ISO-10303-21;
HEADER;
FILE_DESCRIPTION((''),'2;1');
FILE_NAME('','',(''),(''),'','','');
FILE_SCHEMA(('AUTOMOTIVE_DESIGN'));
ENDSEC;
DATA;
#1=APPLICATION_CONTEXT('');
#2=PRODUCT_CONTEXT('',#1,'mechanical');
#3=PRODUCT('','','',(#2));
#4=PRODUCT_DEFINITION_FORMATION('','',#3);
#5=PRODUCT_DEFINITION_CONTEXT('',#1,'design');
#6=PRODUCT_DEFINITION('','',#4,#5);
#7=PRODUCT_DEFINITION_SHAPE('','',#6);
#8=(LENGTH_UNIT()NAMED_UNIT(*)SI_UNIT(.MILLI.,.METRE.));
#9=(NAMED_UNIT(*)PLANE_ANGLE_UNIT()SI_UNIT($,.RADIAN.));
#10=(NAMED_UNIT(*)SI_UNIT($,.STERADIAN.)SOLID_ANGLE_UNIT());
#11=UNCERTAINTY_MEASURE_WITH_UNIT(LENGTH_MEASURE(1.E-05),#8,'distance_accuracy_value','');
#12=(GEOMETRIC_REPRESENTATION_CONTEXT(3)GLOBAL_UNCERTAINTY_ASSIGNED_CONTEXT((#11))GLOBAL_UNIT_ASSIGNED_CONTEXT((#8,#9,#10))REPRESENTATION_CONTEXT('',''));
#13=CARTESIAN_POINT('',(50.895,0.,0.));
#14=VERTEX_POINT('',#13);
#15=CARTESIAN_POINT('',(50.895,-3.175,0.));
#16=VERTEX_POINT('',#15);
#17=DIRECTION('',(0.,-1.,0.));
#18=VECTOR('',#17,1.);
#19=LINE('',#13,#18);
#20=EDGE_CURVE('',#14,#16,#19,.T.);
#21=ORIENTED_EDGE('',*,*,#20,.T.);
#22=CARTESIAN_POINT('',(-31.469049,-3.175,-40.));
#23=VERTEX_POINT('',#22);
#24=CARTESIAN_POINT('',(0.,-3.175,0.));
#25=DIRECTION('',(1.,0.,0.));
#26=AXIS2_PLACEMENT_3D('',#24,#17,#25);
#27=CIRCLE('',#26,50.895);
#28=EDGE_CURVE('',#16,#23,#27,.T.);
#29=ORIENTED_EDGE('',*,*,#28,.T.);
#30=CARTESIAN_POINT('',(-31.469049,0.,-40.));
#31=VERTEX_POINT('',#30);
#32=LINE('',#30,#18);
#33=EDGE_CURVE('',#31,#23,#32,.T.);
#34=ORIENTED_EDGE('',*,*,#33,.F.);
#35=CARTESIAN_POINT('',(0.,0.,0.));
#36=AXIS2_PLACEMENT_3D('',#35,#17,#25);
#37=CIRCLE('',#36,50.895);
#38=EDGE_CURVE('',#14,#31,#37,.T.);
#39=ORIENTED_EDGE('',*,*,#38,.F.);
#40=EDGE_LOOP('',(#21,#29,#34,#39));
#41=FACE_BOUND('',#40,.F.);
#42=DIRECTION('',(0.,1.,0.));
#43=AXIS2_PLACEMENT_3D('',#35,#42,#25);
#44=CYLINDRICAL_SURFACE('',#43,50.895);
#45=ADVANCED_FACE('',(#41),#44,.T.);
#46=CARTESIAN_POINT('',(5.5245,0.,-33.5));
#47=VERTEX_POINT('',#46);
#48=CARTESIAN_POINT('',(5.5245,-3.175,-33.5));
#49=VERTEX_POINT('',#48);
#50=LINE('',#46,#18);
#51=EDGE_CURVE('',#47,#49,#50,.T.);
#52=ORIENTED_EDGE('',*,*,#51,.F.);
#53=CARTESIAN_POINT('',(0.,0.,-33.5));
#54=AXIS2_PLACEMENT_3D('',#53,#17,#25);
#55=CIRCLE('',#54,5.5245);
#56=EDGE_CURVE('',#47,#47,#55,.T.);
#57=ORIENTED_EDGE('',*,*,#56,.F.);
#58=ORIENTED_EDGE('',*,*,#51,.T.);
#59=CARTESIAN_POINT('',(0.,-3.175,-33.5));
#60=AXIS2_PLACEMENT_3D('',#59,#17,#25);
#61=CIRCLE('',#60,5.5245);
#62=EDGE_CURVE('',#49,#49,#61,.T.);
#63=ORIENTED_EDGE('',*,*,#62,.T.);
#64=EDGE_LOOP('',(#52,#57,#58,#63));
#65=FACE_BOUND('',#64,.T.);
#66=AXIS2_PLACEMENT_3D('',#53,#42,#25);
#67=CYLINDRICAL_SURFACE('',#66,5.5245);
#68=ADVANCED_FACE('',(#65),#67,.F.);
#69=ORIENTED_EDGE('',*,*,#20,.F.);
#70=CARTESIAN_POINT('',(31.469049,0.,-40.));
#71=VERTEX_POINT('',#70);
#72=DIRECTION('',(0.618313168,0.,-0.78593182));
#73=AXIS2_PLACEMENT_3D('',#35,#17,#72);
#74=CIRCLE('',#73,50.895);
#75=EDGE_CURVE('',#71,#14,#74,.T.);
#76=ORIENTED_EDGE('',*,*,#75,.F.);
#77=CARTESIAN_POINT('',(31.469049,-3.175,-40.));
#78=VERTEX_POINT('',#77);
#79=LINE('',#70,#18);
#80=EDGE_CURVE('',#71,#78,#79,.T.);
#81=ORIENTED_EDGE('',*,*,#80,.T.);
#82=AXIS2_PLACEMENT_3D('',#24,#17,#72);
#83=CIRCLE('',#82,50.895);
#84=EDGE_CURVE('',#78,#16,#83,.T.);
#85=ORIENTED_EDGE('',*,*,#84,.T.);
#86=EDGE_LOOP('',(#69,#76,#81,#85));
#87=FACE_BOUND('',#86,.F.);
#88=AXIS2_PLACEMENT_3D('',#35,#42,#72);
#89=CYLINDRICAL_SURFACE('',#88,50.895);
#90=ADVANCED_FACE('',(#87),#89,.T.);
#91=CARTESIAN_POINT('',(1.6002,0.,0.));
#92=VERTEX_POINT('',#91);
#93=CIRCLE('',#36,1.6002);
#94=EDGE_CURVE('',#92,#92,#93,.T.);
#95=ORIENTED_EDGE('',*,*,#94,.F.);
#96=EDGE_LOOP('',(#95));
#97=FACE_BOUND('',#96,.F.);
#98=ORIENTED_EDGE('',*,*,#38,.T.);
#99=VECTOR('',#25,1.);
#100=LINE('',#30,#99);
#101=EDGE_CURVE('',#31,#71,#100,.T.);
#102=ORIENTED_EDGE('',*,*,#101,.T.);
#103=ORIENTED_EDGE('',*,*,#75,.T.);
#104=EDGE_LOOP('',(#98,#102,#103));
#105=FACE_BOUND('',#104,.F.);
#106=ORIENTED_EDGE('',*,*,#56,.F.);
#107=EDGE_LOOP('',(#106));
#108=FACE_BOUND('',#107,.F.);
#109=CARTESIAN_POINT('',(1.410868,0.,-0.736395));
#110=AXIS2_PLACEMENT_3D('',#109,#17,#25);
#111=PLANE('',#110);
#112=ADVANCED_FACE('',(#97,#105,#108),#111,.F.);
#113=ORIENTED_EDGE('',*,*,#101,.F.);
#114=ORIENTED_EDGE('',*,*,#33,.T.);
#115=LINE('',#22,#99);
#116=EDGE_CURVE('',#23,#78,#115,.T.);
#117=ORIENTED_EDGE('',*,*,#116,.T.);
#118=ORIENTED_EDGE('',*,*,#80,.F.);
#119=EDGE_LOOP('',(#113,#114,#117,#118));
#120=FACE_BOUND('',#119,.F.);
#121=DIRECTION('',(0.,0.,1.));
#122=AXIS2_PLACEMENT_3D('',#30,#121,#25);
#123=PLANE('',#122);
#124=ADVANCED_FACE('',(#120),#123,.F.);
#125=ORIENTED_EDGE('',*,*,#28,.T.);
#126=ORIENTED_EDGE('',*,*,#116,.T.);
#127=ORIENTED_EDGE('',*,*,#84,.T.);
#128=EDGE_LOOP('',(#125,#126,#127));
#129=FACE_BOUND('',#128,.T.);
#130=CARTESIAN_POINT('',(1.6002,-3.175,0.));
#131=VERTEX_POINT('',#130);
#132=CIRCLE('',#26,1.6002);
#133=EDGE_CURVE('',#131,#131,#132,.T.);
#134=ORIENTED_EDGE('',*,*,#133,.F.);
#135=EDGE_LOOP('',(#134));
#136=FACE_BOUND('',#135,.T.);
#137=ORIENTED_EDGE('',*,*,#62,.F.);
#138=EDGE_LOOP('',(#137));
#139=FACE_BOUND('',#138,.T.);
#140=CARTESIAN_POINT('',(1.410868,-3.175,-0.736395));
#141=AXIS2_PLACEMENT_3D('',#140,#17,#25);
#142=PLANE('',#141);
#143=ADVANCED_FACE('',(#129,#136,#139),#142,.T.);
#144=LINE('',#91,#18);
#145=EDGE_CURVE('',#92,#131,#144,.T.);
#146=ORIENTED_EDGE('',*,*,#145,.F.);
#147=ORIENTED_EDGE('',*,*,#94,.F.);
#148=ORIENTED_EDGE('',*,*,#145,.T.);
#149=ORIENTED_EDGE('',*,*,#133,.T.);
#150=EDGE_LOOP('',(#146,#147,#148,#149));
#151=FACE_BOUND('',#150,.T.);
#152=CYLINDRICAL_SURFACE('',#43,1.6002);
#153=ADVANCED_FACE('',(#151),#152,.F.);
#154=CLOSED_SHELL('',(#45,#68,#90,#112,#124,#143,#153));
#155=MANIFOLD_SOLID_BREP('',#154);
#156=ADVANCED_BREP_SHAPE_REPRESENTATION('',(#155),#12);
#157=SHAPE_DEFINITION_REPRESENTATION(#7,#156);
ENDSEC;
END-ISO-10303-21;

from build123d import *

# Parameters (mm, degrees)
F0_R     = 5.5245
F0_R_2   = 1.6002
F1_DEPTH = 3.175


with BuildPart() as f1:
    # F0 (on Front) → F1 (new body)
    with BuildSketch(Plane.XZ):
        with BuildLine():
            Line((-31.4690486828, -40), (0, -40))
            Line((0, -40), (31.4690486828, -40))
            ThreePointArc((31.4690486828, -40), (45.7816462008, -22.233800758), (50.895, 0))
            ThreePointArc((50.895, 0), (-22.233800758, 45.7816462008), (-31.4690486828, -40))
        make_face()
        with BuildLine():
            ThreePointArc((0, -40), (-28.2842712475, 28.2842712475), (40, 0))
            ThreePointArc((40, 0), (28.2842712475, -28.2842712475), (0, -40))
        make_face(mode=Mode.SUBTRACT)
        with BuildLine():
            ThreePointArc((0, -40), (28.2842712475, -28.2842712475), (40, 0))
            ThreePointArc((40, 0), (-28.2842712475, 28.2842712475), (0, -40))
        make_face()
        with Locations((0, -33.5)):
            Circle(F0_R, mode=Mode.SUBTRACT)
        Circle(F0_R_2, mode=Mode.SUBTRACT)
    extrude(amount=F1_DEPTH)


solid = f1.part
